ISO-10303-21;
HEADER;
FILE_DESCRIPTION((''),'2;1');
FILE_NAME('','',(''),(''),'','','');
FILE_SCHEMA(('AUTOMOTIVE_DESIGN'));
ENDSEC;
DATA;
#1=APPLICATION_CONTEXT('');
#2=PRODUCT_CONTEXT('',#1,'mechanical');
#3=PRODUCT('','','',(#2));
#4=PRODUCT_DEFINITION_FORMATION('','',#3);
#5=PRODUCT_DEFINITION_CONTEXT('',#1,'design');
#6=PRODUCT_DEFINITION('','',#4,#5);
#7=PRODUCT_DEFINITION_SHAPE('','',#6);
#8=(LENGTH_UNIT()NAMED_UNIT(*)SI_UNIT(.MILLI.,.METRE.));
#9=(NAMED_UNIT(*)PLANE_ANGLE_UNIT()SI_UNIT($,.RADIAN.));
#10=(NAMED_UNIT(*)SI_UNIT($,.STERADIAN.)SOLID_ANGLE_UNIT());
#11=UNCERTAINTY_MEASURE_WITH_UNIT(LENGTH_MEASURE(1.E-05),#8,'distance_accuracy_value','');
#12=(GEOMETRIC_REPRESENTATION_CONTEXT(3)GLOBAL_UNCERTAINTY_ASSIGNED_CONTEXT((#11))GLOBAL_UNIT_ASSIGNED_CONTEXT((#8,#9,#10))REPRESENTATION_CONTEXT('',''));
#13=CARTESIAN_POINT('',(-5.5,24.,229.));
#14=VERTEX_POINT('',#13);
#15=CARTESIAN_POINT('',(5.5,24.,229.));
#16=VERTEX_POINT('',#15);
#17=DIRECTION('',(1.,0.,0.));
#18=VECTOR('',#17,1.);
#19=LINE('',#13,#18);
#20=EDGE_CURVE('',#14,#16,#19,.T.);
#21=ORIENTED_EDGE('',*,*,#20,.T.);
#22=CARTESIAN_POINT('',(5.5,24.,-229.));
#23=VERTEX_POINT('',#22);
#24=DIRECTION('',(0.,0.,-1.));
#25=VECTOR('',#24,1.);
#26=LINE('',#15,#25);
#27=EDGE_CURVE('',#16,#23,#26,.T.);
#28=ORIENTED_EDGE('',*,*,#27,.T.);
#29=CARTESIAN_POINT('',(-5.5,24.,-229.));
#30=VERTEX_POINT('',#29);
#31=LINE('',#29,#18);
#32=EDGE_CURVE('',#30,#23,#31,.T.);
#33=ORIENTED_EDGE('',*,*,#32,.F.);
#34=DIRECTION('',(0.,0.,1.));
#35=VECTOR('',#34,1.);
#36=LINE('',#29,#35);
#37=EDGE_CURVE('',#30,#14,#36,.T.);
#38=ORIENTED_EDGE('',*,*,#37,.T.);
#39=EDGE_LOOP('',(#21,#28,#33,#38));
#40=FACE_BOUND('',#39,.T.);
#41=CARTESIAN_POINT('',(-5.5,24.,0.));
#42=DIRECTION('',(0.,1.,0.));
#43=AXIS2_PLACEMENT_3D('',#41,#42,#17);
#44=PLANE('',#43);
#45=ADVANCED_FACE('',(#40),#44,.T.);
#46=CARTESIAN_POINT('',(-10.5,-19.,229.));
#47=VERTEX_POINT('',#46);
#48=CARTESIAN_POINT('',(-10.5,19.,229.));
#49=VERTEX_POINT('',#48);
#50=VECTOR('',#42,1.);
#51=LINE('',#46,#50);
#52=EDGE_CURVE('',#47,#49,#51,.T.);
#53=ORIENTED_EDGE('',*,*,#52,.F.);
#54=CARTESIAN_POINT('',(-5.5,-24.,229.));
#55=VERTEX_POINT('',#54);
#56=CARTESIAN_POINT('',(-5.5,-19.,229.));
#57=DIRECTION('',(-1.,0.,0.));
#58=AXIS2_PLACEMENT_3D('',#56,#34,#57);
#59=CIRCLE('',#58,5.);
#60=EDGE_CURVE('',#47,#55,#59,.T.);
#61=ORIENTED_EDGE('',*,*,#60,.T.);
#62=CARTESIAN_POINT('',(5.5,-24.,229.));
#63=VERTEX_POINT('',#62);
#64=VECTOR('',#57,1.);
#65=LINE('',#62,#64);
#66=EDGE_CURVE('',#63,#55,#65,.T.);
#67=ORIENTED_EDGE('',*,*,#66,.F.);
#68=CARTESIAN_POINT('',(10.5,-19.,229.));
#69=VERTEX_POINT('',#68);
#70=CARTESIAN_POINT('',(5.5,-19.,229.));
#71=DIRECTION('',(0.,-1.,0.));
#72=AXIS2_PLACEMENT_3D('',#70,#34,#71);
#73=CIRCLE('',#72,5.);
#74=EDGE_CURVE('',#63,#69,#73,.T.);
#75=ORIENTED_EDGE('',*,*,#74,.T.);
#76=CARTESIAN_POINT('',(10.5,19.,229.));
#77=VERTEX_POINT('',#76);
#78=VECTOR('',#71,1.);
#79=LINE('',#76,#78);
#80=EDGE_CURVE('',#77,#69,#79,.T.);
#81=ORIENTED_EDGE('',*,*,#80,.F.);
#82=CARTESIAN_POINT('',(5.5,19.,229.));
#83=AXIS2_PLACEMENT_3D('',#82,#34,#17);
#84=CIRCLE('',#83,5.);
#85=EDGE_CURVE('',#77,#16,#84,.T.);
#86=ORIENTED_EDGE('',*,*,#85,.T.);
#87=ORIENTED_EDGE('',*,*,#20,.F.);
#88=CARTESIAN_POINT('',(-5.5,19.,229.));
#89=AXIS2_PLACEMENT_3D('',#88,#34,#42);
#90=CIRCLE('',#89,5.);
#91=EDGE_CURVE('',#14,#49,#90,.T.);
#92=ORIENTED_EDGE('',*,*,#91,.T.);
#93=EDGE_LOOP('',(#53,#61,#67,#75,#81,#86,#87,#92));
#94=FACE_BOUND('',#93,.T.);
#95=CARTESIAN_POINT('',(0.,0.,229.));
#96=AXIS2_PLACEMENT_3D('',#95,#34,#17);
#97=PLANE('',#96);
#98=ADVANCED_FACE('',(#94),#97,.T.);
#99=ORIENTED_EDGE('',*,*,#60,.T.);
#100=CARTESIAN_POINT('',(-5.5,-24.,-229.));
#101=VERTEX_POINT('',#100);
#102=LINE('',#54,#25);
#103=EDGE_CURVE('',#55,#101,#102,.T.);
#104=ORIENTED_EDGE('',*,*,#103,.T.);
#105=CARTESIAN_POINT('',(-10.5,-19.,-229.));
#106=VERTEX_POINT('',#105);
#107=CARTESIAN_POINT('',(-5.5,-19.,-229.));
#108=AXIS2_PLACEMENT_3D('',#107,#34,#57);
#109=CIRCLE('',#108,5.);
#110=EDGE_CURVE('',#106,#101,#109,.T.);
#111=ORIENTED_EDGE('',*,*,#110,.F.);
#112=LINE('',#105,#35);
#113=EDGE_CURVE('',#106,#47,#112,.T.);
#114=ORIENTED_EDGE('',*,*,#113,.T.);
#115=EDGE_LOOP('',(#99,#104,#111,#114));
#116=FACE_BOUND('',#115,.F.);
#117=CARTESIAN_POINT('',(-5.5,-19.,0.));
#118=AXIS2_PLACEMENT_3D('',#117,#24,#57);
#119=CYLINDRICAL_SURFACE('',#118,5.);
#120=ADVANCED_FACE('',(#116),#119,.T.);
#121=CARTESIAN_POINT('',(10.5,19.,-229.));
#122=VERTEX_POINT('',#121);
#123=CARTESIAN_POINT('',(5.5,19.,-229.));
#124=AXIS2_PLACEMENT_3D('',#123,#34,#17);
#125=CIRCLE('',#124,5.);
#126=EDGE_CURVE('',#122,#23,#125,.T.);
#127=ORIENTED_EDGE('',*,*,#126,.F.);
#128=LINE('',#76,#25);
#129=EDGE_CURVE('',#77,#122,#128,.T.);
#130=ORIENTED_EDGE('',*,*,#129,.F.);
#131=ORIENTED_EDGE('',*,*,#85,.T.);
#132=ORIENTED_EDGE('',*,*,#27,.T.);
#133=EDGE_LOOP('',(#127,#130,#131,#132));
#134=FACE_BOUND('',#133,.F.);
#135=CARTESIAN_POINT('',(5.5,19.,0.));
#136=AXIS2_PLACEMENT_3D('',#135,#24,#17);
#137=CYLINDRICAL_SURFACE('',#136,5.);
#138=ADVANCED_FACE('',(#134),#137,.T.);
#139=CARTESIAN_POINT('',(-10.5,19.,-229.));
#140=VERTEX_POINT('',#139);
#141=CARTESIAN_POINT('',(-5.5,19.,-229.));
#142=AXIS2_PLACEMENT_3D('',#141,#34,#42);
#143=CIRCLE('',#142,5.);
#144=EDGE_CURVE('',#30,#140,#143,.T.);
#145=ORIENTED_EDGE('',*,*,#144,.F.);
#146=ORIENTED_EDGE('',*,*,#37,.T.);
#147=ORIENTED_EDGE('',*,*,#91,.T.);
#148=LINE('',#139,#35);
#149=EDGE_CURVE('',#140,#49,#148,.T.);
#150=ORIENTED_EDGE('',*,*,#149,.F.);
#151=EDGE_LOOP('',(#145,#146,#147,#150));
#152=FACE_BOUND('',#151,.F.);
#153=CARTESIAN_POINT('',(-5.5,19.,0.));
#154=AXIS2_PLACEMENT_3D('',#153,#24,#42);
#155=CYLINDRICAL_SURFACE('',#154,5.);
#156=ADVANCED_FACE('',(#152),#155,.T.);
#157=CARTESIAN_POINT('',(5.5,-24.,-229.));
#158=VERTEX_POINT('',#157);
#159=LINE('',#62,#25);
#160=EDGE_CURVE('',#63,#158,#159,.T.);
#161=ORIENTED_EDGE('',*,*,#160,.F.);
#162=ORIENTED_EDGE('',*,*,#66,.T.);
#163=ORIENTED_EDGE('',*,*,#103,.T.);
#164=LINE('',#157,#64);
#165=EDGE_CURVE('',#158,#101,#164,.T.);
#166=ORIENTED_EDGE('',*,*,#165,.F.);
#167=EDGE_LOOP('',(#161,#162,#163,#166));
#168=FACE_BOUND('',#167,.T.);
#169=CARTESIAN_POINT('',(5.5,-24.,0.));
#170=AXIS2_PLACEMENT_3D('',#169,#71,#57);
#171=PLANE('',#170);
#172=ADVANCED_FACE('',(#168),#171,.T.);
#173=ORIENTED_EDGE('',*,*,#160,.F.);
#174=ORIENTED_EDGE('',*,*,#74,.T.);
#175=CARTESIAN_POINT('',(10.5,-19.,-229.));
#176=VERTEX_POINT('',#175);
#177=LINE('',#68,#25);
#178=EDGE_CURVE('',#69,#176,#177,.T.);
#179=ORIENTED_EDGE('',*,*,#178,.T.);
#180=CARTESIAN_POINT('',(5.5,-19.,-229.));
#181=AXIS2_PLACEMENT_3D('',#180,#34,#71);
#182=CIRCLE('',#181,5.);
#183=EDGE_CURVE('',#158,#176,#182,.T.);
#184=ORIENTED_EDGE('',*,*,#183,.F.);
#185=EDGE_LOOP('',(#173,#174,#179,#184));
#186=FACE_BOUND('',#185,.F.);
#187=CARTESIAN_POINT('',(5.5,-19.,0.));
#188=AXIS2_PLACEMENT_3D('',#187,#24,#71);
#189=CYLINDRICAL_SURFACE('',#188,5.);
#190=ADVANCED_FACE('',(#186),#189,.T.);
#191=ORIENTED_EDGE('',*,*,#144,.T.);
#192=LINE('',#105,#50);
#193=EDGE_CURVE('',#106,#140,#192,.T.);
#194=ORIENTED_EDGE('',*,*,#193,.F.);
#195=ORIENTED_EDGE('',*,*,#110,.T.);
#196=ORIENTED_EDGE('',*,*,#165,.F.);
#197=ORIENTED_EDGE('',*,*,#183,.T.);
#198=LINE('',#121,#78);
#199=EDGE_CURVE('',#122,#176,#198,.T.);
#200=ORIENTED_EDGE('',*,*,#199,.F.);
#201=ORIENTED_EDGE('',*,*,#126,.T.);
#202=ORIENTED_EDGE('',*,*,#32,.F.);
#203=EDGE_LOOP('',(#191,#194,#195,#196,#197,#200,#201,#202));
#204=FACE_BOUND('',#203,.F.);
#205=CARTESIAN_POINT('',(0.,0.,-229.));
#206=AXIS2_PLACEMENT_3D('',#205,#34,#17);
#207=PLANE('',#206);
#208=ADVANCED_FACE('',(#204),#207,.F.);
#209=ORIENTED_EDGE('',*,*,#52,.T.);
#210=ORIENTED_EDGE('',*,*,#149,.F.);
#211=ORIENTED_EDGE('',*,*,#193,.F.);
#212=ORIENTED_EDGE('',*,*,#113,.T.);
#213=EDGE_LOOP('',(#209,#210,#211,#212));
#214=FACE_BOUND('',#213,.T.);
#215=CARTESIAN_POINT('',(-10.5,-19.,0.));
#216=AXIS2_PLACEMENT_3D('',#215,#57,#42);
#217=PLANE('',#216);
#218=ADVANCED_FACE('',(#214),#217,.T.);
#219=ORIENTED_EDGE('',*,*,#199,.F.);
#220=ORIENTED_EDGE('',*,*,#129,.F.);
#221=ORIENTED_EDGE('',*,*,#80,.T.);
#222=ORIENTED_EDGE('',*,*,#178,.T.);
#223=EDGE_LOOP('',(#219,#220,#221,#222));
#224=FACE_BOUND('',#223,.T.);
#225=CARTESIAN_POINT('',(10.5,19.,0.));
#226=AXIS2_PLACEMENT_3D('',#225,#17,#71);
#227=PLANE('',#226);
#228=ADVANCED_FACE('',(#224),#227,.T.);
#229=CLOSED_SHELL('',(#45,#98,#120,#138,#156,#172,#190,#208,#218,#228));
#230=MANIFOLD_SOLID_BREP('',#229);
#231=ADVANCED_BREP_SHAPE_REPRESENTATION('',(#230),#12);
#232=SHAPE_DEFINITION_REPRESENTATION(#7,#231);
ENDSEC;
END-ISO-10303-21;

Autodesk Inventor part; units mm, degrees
ref_plane "YZ Plane" through (0, 0, 0) normal (1, 0, 0) x (0, 1, 0)
ref_plane "XZ Plane" through (0, 0, 0) normal (0, 1, 0) x (-1, 0, 0)
ref_plane "XY Plane" through (0, 0, 0) normal (0, 0, 1) x (1, 0, 0)
sketch "Esboço1" plane through (0, 0, 0) normal (0, 0, 1) x (1, 0, 0)
  line L0 (-5.5, 24) -> (5.5, 24)
  line L1 (10.5, 19) -> (10.5, -19)
  line L2 (5.5, -24) -> (-5.5, -24)
  line L3 (-10.5, -19) -> (-10.5, 19)
  line L4 (-10.5, 24) -> (10.5, -24) construction
  line L5 (10.5, 24) -> (-10.5, -24) construction
  arc A0 (-5.5, 24) -> (-10.5, 19) centre (-5.5, 19) ccw
  arc A1 (10.5, 19) -> (5.5, 24) centre (5.5, 19) ccw
  arc A2 (5.5, -24) -> (10.5, -19) centre (5.5, -19) ccw
  arc A3 (-10.5, -19) -> (-5.5, -24) centre (-5.5, -19) ccw
  point P0 (0, 0)
  dimension "d0" = 21
  dimension "d1" = 48
  dimension "d2" = 5
extrude "Extrusão1" add sketch "Esboço1" along normal mid plane 458
properties part number "Ripas - Base - 458 mm"
